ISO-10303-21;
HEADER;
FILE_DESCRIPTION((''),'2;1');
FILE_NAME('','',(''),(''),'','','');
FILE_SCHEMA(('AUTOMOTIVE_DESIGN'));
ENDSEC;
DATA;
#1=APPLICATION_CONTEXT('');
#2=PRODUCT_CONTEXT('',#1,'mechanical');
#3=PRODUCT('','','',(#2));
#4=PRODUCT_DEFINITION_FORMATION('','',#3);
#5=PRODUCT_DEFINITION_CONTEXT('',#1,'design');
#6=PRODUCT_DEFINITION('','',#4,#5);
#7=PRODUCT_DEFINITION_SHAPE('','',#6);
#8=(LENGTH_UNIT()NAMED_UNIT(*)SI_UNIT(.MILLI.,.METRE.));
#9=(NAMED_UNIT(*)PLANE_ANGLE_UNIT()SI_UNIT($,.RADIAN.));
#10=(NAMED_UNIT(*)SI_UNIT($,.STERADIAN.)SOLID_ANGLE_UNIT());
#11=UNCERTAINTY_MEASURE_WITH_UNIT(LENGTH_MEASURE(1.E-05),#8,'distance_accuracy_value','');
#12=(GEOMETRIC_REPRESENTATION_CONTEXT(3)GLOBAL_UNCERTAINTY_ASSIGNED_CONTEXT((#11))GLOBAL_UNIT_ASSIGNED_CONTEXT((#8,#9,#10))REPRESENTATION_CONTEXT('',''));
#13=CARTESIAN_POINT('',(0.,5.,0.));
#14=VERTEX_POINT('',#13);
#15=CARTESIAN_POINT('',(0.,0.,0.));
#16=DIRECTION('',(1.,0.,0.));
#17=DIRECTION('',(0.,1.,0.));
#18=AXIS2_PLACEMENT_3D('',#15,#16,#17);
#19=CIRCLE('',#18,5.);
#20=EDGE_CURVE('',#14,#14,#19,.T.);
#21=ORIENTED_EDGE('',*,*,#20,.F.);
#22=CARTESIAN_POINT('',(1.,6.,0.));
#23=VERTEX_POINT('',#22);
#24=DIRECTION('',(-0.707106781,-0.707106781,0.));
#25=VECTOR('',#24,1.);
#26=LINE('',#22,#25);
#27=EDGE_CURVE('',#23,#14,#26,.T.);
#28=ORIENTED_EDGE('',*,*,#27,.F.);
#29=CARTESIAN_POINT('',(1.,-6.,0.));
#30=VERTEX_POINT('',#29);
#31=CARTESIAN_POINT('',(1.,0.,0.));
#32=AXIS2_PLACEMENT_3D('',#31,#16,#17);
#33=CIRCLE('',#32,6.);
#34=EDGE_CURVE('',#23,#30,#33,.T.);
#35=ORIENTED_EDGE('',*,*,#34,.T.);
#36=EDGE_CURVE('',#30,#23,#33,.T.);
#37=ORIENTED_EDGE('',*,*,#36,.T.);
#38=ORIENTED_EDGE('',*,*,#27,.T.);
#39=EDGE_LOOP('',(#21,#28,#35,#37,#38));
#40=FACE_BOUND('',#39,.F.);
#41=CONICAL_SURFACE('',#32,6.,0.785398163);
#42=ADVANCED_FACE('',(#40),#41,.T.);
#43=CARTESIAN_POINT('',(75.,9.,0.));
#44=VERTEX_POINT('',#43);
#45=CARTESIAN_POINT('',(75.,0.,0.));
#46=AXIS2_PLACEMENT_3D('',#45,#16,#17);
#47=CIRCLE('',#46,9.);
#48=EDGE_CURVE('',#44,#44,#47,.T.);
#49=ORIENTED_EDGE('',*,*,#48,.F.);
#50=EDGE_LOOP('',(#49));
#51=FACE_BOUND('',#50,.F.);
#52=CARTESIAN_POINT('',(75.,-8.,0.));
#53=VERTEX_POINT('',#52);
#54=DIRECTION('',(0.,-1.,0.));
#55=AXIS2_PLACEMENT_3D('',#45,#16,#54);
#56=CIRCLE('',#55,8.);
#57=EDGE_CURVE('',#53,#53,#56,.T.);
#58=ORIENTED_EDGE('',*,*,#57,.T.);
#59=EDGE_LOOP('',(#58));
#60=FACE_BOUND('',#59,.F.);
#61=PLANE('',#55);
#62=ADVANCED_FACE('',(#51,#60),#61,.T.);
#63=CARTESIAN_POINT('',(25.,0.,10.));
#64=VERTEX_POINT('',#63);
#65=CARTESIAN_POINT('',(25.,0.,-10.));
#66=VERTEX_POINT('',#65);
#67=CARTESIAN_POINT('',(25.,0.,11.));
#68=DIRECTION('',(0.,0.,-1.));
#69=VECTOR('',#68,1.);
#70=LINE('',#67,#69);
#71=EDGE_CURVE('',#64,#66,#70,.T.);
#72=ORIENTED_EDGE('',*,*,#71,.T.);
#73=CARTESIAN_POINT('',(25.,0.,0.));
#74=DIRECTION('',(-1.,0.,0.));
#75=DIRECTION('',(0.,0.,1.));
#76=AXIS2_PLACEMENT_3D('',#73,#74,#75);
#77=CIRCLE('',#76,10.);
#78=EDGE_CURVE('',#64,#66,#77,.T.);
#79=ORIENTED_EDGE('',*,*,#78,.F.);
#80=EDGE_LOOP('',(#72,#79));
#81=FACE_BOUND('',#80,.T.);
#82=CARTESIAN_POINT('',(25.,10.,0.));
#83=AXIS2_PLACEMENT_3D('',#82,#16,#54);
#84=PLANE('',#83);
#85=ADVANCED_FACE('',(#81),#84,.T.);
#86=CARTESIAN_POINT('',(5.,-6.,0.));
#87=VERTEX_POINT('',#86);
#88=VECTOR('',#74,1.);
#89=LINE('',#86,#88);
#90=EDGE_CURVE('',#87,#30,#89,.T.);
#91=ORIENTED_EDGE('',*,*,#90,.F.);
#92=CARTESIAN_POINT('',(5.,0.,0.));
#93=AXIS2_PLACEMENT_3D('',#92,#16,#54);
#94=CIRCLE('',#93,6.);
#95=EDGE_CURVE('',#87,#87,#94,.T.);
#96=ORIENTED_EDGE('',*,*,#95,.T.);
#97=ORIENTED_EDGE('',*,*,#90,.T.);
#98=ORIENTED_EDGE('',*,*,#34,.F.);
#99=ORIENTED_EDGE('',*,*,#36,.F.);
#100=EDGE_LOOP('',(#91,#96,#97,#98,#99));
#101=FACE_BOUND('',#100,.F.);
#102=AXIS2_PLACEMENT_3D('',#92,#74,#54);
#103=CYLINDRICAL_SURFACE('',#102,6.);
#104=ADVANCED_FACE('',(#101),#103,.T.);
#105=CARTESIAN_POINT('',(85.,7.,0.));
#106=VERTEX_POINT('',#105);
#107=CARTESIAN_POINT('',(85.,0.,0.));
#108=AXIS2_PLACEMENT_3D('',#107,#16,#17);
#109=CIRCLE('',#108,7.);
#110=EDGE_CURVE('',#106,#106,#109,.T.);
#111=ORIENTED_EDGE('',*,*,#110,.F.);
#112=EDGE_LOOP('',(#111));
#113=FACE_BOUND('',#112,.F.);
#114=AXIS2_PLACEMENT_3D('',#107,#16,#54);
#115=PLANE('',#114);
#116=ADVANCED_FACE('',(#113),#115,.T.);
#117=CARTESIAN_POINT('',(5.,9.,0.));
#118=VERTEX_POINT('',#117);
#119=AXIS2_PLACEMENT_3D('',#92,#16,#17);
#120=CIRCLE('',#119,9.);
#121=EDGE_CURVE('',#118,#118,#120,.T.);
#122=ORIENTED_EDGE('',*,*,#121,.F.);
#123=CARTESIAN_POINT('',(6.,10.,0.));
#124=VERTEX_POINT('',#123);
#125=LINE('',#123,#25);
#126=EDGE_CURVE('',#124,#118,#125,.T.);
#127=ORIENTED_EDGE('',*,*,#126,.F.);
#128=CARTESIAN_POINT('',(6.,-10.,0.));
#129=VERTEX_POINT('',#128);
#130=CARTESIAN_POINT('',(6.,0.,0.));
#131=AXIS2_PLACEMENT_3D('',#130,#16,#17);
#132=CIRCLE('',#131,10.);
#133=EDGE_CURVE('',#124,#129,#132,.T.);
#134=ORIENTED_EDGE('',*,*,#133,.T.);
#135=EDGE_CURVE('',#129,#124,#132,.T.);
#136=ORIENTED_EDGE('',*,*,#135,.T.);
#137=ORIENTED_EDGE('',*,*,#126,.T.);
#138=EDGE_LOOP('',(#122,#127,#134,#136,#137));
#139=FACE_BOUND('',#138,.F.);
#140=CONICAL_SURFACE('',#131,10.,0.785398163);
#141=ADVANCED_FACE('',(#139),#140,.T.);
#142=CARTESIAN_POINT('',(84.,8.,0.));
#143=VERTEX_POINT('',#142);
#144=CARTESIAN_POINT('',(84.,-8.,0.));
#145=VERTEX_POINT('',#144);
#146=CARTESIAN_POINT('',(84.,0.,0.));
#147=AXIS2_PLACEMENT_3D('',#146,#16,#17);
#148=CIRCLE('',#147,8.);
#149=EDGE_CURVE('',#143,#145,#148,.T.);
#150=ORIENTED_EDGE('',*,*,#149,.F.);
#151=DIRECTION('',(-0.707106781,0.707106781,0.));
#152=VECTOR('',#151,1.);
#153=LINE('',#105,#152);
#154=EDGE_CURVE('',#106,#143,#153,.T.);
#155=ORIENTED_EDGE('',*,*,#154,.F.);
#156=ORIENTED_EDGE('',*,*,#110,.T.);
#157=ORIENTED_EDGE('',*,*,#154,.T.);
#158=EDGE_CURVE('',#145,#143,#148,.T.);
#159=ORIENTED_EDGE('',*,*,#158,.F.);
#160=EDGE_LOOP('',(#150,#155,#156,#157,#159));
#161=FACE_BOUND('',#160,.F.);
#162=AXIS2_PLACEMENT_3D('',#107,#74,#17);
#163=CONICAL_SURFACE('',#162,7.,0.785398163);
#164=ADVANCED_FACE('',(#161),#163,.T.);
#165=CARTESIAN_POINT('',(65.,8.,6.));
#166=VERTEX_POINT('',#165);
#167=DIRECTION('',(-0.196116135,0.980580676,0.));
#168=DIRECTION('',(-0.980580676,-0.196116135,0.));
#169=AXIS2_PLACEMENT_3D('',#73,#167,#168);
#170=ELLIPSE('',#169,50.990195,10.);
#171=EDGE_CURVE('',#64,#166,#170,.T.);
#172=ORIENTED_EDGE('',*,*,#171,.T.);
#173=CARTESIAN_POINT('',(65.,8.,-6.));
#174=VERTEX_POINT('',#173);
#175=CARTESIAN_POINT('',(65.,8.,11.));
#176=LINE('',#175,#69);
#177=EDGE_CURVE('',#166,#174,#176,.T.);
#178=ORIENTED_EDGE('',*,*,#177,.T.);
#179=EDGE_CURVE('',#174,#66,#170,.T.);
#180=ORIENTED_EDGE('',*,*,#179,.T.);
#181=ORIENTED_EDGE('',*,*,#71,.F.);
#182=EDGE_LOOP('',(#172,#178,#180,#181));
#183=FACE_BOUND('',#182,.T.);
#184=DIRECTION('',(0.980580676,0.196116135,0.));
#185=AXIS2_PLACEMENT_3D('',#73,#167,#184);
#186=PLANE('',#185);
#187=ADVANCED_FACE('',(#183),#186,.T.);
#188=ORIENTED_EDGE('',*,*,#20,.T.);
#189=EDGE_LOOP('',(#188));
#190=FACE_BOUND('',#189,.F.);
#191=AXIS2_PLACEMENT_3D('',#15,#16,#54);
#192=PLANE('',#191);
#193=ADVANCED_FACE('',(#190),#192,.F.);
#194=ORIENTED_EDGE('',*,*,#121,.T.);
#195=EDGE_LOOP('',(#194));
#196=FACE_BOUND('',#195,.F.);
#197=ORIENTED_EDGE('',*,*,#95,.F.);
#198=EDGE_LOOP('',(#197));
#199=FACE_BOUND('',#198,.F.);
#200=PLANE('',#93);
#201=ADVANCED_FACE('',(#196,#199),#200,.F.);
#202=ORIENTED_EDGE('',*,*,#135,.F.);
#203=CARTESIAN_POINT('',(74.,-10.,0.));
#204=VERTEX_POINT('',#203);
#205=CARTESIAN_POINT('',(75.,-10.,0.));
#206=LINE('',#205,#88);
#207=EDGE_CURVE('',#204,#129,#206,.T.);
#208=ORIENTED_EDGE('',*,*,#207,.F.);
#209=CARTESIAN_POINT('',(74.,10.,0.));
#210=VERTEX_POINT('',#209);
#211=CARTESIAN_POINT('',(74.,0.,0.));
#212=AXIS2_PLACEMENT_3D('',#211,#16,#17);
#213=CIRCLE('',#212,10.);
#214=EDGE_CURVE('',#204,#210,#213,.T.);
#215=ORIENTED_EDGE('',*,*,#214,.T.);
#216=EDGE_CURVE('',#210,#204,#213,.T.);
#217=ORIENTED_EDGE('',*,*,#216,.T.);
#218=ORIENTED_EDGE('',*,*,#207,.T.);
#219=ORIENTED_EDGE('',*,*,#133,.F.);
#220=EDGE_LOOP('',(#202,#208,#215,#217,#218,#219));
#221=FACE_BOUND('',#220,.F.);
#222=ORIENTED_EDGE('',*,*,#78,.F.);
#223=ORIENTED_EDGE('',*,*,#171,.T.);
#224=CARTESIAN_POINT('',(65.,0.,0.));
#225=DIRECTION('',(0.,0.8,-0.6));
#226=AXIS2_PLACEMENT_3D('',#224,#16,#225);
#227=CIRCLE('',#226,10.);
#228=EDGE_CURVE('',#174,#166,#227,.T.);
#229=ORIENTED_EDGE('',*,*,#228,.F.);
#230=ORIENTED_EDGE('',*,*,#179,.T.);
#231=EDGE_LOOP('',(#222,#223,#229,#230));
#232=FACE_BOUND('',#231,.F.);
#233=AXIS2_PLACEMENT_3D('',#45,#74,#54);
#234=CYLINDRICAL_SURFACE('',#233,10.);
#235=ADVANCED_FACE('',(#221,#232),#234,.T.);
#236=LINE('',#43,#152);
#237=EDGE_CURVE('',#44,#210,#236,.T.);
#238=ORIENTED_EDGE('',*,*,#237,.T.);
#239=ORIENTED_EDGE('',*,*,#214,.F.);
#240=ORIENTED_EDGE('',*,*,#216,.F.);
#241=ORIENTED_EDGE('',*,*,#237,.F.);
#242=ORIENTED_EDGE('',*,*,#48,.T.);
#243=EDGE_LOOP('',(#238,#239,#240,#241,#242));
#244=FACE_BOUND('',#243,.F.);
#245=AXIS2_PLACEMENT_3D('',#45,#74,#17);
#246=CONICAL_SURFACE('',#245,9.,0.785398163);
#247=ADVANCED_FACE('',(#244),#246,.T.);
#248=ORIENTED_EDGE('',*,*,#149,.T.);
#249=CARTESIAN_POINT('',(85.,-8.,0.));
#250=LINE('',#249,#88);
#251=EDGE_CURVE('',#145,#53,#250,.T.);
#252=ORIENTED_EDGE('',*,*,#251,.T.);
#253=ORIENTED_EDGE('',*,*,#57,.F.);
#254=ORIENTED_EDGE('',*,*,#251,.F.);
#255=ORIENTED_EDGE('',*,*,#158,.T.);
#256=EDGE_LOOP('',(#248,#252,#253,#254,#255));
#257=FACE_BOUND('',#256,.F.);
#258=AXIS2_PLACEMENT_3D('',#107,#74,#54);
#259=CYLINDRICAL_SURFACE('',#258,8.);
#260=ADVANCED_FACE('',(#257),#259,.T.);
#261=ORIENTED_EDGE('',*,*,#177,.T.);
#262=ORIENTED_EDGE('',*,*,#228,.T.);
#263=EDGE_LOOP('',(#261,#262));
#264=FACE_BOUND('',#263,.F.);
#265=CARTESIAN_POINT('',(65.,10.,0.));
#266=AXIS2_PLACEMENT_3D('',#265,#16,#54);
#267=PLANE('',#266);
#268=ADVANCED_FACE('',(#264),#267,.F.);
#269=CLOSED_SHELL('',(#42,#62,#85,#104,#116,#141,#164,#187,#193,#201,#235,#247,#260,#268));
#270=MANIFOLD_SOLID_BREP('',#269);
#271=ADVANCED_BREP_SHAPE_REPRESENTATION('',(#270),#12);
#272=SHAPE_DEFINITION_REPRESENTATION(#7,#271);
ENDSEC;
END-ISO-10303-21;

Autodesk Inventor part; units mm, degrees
ref_plane "YZ Plane" through (0, 0, 0) normal (1, 0, 0) x (0, 1, 0)
ref_plane "XZ Plane" through (0, 0, 0) normal (0, 1, 0) x (-1, 0, 0)
ref_plane "XY Plane" through (0, 0, 0) normal (0, 0, 1) x (1, 0, 0)
sketch "草图1" plane through (0, 0, 0) normal (0, 0, 1) x (1, 0, 0)
  line L0 (0, 0) -> (5, 0)
  line L1 (5, 0) -> (5, -6)
  line L2 (5, -6) -> (0, -6)
  line L3 (0, -6) -> (0, 0)
  line L4 (5, 0) -> (75, 0)
  line L5 (75, 0) -> (75, -10)
  line L6 (75, -10) -> (5, -10)
  line L7 (5, -10) -> (5, 0)
  line L8 (75, 0) -> (85, 0)
  line L9 (85, 0) -> (85, -8)
  line L10 (85, -8) -> (75, -8)
  line L11 (75, -8) -> (75, 0)
  dimension "d0" = 5
  dimension "d1" = 6
  dimension "d2" = 70
  dimension "d3" = 10
  dimension "d4" = 10
  dimension "d5" = 8
revolve "旋转1" add sketch "草图1" angle 360 about axis through (5, 0, 0) along (1, 0, 0)
sketch "草图2" plane through (0, 0, 0) normal (0, 0, 1) x (1, 0, 0)
  line L0 (5, 6) -> (0, 6) projected
  line L1 (0, 6) -> (0, -6) projected
  line L2 (1, 6) -> (0, 6)
  line L3 (0, 6) -> (0, 5)
  line L4 (1, 6) -> (0, 5)
  line L5 (1, 6) -> (0, 5)
  line L6 (5, 10) -> (5, -10) projected
  line L7 (5, 10) -> (6, 10)
  line L8 (6, 10) -> (6, 9)
  line L9 (6, 9) -> (5, 9)
  line L10 (5, 9) -> (5, 10)
  line L11 (5, 10) -> (5, 9)
  line L12 (84, 8) -> (84, 7)
  line L13 (84, 7) -> (85, 7)
  line L14 (85, 8) -> (85, -8) projected
  line L15 (85, 8) -> (85, 7)
  line L16 (75, 10) -> (75, -10) projected
  line L17 (75, 10) -> (74, 10)
  line L18 (74, 10) -> (74, 9)
  line L19 (74, 9) -> (75, 9)
  line L20 (75, 9) -> (75, 10)
  line L21 (75, 9) -> (74, 10)
  line L22 (75, 10) -> (75, 9)
  line L23 (85, 8) -> (84, 8)
  line L24 (84, 8) -> (84, 7)
  line L25 (84, 7) -> (85, 7)
  line L26 (85, 7) -> (85, 8)
  line L27 (85, 7) -> (84, 8)
  line L28 (85, 8) -> (85, 7)
  line L29 (6, 10) -> (5, 9)
  line L30 (-17, 0) -> (102, 0) projected
  point P0 (0, 0)
  dimension "d7" = 1
  dimension "d8" = 1
  dimension "d9" = 1
  dimension "d10" = 1
  dimension "d13" = 1
  dimension "d14" = 1
  dimension "d15" = 1
  dimension "d16" = 1
revolve "旋转2" cut sketch "草图2" angle 360 about axis through (-10, 0, 0) along (1, 0, 0) contours L6 L7 L29 | L21 L17 L16 | L27 L23 L14 | L4 L1 L0
sketch "草图3" plane through (0, 0, 0) normal (0, 0, 1) x (1, 0, 0)
  line L0 (74, 10) -> (6, 10) projected
  line L1 (75, 8) -> (75, -8) projected
  line L2 (65, 10) -> (65, 8)
  line L3 (74, 10) -> (74, -10) projected
  line L4 (25, 10) -> (25, 0)
  line L5 (5, 9) -> (5, -9) projected
  line L6 (25, 0) -> (65, 8)
  line L7 (65, 10) -> (25, 10)
  point P0 (0, 0)
  dimension "d18" = 10
  dimension "d19" = 2
  dimension "d20" = 10
  dimension "d21" = 20
extrude "拉伸1" cut sketch "草图3" along normal through all both and the other way through all
properties part number "9-滑轴" material "不锈钢"
